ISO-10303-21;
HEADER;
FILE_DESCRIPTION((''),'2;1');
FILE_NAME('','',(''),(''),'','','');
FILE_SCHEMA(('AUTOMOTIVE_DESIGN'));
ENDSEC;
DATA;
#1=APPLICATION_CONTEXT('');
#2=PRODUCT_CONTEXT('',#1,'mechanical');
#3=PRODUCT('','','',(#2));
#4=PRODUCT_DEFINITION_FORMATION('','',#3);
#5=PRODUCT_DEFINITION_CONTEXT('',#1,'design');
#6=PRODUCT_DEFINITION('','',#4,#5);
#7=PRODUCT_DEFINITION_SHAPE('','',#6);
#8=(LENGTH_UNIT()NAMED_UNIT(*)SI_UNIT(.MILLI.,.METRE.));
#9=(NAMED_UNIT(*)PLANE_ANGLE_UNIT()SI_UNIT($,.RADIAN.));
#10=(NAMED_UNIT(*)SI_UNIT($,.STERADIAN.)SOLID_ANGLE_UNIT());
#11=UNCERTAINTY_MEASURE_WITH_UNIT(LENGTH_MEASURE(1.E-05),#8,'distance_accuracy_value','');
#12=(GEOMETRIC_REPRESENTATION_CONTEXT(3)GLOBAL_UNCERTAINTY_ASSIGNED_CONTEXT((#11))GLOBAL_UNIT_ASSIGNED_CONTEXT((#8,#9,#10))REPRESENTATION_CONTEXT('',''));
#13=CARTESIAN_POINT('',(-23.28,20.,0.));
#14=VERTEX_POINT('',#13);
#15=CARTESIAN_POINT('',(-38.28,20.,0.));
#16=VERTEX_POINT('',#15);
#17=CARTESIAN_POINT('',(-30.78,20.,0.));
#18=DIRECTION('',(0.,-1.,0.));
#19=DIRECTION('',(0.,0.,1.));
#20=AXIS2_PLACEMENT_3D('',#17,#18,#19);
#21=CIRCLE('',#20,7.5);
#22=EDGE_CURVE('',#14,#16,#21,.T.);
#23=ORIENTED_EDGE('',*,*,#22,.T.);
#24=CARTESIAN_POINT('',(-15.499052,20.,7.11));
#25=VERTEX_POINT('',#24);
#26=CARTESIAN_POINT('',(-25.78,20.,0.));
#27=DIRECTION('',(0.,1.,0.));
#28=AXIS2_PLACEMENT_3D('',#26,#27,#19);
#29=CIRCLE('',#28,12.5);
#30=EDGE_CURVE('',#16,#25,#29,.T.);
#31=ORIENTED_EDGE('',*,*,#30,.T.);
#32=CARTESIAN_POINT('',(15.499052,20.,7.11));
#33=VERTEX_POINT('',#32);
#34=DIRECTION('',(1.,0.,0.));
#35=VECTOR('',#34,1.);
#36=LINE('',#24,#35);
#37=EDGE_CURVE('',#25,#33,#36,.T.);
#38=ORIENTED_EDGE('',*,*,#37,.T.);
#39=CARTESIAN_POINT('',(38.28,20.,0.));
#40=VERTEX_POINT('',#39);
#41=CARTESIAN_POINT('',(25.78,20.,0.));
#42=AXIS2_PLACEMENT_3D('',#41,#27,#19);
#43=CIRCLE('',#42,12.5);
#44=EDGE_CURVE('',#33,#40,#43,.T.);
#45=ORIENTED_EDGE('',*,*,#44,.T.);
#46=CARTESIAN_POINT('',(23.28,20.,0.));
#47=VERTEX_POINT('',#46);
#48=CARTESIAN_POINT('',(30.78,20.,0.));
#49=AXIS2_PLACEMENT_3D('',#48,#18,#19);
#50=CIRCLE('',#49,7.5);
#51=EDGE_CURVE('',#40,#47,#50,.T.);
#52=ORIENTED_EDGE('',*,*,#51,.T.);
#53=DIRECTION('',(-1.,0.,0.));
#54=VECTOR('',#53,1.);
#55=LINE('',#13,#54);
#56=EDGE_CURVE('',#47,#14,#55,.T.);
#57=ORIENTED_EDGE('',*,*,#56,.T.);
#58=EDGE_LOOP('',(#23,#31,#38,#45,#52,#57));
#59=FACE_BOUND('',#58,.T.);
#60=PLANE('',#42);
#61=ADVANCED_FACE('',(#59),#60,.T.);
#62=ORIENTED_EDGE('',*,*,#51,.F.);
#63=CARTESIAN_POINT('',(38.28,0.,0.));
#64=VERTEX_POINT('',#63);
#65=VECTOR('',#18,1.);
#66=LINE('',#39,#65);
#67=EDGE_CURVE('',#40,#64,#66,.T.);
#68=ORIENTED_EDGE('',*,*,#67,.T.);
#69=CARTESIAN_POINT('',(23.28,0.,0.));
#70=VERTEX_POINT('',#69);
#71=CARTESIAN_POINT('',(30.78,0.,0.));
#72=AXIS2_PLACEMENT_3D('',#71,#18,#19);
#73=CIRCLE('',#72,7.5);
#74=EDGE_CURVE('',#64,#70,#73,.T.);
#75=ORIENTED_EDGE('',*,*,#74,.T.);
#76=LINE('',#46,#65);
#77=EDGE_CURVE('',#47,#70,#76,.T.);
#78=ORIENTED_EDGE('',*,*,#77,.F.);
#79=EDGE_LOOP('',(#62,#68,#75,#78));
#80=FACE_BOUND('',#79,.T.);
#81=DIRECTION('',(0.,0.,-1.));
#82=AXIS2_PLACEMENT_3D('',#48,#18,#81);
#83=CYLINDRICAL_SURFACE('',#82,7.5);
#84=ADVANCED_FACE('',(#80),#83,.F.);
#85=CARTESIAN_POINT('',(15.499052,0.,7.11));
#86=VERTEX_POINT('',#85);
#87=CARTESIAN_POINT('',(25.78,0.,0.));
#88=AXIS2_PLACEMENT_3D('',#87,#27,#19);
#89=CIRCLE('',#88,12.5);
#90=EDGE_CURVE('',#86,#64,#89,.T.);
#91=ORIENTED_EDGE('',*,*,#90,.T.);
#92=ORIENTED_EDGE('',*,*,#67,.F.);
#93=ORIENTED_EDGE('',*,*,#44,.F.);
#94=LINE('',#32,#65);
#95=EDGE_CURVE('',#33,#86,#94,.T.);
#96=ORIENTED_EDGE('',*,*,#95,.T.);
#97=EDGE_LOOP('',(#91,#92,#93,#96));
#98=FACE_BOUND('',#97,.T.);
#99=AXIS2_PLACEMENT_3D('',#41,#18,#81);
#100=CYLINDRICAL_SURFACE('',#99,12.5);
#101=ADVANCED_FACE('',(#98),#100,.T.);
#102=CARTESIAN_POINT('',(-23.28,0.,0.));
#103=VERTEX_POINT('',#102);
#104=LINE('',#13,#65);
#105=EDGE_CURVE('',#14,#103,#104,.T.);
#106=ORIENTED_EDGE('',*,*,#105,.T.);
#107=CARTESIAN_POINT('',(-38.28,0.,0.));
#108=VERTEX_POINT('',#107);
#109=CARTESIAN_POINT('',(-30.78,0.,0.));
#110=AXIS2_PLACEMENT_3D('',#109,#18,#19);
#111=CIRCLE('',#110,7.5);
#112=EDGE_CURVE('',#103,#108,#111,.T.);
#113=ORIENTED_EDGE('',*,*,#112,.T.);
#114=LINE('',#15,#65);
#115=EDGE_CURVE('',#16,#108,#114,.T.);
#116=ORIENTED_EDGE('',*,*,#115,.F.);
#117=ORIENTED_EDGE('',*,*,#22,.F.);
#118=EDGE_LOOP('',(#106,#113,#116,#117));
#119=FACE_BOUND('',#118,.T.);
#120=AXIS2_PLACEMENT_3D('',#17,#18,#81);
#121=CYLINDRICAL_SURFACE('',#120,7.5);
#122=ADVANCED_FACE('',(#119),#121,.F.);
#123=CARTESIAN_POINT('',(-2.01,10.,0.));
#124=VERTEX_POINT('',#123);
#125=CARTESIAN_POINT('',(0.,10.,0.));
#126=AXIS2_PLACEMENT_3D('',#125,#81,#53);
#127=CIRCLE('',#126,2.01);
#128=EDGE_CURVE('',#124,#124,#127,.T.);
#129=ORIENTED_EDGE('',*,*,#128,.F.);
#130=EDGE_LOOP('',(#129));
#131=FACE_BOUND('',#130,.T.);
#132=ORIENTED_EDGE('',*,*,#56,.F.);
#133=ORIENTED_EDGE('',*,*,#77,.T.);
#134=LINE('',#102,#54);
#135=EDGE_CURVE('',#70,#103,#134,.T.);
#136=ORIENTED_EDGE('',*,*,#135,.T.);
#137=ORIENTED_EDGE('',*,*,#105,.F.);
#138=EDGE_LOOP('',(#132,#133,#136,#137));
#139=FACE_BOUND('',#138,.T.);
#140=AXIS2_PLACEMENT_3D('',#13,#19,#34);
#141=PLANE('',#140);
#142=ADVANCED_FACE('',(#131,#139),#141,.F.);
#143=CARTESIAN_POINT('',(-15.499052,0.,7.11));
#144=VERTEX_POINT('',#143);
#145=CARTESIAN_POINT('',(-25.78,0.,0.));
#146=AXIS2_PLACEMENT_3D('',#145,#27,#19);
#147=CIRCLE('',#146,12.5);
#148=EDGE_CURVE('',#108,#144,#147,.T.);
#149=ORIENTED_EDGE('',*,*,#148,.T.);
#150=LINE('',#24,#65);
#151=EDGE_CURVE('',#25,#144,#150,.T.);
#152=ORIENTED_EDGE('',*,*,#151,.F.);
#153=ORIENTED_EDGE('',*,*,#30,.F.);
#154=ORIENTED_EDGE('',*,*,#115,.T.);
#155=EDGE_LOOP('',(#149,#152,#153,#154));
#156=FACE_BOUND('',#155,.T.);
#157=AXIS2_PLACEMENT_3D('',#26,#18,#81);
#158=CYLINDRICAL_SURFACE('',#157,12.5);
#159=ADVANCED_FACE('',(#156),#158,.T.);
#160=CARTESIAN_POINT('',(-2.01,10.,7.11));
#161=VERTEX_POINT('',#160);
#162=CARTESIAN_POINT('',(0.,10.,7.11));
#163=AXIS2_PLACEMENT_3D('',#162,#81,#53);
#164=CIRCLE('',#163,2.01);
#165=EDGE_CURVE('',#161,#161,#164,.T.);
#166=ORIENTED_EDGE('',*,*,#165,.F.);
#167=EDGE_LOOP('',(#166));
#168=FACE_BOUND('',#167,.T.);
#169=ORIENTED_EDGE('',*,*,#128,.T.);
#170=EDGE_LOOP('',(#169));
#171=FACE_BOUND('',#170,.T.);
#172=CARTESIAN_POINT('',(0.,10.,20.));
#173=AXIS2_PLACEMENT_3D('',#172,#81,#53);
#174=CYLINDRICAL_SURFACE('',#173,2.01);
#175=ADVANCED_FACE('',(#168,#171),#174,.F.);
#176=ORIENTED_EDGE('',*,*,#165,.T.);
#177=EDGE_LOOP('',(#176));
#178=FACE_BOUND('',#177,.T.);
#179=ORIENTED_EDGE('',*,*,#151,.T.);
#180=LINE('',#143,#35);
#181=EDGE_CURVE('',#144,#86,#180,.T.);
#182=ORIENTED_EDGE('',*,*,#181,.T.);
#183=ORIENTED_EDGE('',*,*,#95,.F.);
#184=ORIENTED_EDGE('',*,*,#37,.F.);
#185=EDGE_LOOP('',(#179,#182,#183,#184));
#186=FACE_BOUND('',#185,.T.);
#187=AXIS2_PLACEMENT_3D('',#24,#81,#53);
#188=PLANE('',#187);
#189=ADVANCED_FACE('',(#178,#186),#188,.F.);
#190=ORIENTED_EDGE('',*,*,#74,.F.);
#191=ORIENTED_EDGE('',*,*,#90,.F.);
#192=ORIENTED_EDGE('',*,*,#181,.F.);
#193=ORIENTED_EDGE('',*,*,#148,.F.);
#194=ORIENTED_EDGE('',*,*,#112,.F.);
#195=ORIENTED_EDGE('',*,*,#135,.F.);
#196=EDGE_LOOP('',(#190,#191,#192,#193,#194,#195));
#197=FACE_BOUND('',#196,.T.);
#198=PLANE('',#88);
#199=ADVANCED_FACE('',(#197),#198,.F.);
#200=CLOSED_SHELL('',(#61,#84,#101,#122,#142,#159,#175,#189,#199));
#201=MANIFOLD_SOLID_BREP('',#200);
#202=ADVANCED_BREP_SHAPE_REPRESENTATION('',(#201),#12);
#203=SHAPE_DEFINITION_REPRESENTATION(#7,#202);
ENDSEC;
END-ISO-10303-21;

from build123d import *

# Parameters (mm, degrees)
BOSS_EXTRUDE1_DEPTH = 20
SKETCH2_R           = 2.01
CUT_EXTRUDE1_DEPTH  = 20


with BuildPart() as part:
    # Sketch1 → Boss-Extrude1 (new body)
    with BuildSketch(Plane(origin=(0, 0, 0), x_dir=(1, 0, 0), z_dir=(0, 1, 0))):
        with BuildLine():
            Line((-23.28, 0), (23.28, 0))
            ThreePointArc((23.28, 0), (30.78, -7.5), (38.28, 0))
            ThreePointArc((38.28, 0), (29.504120366, -11.932347946), (15.4990516, -7.11))
            Line((15.4990516, -7.11), (-15.4990516, -7.11))
            ThreePointArc((-15.4990516, -7.11), (-29.504120366, -11.932347946), (-38.28, 0))
            ThreePointArc((-38.28, 0), (-30.78, -7.5), (-23.28, 0))
        make_face()
    extrude(amount=BOSS_EXTRUDE1_DEPTH)

    # Sketch2 → Cut-Extrude1 (cut)
    with BuildSketch(Plane(origin=(0, 0, 0), x_dir=(-1, 0, 0), z_dir=(0, 0, -1))):
        with Locations((0, 10)):
            Circle(SKETCH2_R)
    extrude(amount=-CUT_EXTRUDE1_DEPTH, mode=Mode.SUBTRACT)


solid = part.part
